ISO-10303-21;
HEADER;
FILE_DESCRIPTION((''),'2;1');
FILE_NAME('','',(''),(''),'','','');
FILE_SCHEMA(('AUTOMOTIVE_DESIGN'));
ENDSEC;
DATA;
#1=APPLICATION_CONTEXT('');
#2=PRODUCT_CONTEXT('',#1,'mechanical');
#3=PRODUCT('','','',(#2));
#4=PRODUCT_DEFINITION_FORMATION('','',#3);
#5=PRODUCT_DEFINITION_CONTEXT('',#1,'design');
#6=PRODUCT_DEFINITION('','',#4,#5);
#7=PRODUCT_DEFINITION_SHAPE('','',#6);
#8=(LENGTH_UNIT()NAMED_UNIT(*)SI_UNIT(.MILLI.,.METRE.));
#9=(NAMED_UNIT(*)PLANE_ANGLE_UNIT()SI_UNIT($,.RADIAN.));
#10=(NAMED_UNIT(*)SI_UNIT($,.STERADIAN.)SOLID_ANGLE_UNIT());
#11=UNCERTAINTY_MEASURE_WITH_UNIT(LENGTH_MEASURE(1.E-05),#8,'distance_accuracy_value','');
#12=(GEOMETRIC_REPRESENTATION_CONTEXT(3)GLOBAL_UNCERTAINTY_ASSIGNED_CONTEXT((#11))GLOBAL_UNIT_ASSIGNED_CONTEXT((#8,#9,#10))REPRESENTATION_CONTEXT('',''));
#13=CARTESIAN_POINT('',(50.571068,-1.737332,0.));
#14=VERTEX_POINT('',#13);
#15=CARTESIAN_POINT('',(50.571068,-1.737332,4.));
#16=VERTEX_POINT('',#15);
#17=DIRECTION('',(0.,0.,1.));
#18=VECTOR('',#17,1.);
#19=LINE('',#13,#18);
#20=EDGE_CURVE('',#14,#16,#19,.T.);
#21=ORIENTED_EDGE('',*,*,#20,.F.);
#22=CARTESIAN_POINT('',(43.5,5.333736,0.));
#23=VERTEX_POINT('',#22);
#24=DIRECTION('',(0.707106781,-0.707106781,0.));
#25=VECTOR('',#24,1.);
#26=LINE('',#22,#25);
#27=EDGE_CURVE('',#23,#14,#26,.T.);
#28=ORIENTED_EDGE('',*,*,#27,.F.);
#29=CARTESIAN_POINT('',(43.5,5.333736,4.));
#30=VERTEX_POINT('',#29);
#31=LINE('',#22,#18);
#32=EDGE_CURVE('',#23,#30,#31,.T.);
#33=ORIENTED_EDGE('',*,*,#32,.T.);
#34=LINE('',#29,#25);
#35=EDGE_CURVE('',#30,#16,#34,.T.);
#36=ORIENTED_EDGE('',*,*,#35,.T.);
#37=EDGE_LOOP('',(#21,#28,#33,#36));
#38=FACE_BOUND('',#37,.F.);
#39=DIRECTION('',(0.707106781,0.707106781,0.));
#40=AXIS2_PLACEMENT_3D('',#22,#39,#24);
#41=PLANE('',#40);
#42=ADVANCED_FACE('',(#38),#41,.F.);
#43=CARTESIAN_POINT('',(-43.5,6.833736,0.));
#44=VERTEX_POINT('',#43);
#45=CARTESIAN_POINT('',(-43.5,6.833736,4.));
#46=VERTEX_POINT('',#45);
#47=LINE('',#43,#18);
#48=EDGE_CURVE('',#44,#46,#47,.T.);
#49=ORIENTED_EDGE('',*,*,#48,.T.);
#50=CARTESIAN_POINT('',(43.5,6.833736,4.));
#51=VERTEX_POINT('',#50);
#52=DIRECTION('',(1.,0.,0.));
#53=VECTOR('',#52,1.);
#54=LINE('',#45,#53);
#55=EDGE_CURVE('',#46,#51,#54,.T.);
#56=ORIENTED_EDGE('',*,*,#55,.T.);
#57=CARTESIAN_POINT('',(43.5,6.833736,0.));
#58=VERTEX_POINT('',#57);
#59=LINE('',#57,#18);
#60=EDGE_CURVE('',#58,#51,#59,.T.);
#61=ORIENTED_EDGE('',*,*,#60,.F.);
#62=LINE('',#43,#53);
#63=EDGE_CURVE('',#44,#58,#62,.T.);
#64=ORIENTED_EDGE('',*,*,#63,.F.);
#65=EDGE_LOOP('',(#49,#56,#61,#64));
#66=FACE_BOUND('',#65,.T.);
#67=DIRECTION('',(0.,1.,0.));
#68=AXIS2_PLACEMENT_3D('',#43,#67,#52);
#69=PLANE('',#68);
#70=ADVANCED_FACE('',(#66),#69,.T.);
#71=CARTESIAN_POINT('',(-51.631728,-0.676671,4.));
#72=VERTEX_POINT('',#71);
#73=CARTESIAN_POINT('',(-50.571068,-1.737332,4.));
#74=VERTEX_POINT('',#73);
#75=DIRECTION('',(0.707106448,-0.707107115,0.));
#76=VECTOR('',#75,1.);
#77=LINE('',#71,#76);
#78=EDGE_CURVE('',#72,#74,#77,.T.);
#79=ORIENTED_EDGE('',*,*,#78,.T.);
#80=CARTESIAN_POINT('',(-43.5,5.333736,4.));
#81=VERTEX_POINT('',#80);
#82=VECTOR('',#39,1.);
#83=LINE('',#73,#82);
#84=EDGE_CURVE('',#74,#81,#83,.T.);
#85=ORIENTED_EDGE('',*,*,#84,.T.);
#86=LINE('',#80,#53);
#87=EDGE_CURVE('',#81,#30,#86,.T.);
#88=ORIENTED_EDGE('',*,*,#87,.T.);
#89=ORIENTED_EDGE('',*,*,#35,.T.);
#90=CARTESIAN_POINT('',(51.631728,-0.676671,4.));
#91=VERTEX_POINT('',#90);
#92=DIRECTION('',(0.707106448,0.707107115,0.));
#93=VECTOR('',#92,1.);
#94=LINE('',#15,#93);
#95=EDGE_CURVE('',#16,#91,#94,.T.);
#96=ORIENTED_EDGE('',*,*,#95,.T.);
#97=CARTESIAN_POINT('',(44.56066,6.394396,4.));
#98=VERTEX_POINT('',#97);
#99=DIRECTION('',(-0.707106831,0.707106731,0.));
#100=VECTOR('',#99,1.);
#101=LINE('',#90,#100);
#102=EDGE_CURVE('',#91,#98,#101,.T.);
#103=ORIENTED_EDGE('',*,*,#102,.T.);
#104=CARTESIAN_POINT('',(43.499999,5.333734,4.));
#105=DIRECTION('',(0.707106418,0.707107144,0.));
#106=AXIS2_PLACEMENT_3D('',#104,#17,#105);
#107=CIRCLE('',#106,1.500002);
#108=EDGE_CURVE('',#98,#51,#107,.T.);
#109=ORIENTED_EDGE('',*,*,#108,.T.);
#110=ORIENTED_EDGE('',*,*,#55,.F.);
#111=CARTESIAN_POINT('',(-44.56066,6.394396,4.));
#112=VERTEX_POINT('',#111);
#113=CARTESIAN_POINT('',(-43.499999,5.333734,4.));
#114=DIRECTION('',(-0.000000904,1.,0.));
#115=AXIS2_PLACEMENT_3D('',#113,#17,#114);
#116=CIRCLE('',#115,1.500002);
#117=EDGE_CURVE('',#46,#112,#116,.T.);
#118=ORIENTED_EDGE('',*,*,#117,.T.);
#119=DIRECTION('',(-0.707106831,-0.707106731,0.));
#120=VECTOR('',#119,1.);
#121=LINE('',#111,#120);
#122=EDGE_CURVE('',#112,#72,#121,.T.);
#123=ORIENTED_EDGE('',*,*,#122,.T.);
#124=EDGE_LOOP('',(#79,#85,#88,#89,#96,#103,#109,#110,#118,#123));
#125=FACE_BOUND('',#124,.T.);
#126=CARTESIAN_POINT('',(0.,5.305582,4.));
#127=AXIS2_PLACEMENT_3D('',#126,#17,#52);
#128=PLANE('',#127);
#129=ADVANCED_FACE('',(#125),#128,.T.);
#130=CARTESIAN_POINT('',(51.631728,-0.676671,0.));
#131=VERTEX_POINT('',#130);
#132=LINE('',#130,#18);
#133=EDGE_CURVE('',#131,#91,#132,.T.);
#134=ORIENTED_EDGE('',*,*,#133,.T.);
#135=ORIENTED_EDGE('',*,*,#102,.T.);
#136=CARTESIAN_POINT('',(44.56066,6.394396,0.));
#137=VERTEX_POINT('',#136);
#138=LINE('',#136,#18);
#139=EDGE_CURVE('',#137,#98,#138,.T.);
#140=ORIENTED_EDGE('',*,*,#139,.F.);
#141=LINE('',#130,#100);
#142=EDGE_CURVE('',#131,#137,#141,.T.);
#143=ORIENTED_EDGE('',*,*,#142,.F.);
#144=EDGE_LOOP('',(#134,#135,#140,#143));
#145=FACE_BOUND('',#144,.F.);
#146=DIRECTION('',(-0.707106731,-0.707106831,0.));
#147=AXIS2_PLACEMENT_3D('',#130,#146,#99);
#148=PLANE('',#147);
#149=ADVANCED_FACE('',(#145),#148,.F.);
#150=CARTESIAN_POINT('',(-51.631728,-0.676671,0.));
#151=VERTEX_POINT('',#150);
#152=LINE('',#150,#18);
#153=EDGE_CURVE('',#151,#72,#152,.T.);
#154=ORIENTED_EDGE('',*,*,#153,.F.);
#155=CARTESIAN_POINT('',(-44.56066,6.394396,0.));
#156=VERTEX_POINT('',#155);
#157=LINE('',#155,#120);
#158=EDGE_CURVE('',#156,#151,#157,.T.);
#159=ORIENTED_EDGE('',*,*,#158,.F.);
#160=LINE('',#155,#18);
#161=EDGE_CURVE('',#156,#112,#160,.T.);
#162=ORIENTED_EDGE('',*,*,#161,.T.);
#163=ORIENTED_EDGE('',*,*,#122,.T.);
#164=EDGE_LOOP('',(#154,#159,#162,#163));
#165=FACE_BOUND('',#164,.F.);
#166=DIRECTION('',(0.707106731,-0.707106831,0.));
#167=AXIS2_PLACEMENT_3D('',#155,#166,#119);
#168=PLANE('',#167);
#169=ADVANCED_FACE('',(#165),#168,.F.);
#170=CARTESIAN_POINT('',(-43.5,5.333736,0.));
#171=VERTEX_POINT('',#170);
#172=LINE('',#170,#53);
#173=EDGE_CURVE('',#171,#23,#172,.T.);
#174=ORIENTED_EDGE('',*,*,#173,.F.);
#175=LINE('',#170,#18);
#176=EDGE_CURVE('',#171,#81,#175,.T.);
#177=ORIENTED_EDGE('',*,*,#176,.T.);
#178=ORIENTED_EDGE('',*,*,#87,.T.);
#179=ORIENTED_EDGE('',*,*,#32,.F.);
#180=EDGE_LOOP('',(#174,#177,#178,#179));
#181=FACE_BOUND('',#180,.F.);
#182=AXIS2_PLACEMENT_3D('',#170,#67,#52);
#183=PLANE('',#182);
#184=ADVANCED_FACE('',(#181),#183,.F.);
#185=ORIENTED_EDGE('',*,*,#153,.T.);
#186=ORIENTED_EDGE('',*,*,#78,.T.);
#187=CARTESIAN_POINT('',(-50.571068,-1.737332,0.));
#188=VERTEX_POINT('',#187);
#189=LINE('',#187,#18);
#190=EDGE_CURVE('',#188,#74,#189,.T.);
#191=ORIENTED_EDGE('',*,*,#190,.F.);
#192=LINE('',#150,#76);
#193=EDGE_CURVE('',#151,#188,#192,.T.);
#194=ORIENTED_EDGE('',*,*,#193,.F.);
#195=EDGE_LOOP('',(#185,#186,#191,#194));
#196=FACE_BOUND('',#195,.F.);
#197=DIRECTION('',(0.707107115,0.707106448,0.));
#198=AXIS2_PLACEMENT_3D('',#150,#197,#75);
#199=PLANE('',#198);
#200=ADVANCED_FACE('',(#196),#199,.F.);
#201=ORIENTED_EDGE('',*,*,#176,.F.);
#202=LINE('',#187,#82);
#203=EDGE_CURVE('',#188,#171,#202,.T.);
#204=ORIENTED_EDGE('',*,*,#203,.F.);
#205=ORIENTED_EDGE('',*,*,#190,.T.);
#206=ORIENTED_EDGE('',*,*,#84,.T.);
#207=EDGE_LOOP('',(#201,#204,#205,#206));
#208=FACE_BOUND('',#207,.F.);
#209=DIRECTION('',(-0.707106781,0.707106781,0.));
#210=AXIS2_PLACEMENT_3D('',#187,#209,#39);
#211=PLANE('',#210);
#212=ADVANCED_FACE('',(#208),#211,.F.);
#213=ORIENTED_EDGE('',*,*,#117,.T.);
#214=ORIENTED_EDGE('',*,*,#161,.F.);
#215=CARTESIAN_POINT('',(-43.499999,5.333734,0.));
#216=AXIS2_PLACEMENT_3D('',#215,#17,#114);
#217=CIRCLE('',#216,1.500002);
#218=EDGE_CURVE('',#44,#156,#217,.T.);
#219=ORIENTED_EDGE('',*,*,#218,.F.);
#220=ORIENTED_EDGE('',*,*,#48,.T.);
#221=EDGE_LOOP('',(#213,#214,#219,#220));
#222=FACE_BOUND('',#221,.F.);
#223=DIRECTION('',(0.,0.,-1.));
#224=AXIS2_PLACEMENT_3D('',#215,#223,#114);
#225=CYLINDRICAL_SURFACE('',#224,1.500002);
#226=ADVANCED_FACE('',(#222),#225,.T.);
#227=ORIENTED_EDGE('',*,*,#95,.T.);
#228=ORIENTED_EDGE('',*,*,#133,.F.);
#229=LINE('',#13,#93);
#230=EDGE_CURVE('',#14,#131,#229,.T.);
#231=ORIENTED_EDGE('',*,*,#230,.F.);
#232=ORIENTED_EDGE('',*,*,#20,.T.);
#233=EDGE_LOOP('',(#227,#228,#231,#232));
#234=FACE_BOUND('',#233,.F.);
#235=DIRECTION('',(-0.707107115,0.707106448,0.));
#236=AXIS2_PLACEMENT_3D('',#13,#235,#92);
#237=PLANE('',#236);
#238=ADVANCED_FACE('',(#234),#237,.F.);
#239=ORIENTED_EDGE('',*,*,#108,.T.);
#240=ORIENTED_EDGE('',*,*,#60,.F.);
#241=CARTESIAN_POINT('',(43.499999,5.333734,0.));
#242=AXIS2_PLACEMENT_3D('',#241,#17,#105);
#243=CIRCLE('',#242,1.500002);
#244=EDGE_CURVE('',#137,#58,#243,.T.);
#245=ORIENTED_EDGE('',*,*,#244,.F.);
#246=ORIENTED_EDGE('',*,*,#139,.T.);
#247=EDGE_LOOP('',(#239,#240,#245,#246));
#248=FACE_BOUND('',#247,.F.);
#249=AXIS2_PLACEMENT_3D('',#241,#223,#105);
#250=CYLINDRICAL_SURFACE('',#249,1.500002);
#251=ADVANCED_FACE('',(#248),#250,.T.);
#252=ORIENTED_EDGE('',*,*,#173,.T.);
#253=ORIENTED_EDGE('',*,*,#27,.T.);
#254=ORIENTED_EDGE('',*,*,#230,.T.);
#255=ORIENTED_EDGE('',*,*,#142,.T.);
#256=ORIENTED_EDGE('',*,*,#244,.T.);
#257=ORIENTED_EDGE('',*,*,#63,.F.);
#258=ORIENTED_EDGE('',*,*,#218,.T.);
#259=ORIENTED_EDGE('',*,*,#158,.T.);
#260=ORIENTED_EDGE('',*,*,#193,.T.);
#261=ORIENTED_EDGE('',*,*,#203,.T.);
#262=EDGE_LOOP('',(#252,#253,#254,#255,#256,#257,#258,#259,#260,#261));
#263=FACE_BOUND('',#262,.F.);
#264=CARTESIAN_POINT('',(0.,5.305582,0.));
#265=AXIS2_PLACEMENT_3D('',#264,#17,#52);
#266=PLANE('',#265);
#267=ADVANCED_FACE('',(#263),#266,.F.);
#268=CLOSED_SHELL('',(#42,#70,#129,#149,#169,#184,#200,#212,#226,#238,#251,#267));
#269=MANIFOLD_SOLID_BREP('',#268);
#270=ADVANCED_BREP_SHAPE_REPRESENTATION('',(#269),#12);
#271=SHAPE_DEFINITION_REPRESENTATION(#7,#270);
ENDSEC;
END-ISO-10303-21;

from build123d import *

# Parameters (mm, degrees)
PAD_DEPTH = 4


with BuildPart() as part:
    # Sketch → Pad (new body)
    with BuildSketch(Plane.XY):
        with BuildLine():
            Line((-43.5, 5.333736), (43.5, 5.333736))
            Line((43.5, 5.333736), (50.571068, -1.737332))
            Line((50.571068, -1.737332), (51.631728, -0.676671))
            Line((51.631728, -0.676671), (44.56066, 6.394396))
            ThreePointArc((44.56066, 6.394396), (44.074025, 6.719555), (43.5, 6.833736))
            Line((-43.5, 6.833736), (43.5, 6.833736))
            ThreePointArc((-43.5, 6.833736), (-44.074025, 6.719555), (-44.56066, 6.394396))
            Line((-44.56066, 6.394396), (-51.631728, -0.676671))
            Line((-51.631728, -0.676671), (-50.571068, -1.737332))
            Line((-50.571068, -1.737332), (-43.5, 5.333736))
        make_face()
    extrude(amount=PAD_DEPTH)


solid = part.part
